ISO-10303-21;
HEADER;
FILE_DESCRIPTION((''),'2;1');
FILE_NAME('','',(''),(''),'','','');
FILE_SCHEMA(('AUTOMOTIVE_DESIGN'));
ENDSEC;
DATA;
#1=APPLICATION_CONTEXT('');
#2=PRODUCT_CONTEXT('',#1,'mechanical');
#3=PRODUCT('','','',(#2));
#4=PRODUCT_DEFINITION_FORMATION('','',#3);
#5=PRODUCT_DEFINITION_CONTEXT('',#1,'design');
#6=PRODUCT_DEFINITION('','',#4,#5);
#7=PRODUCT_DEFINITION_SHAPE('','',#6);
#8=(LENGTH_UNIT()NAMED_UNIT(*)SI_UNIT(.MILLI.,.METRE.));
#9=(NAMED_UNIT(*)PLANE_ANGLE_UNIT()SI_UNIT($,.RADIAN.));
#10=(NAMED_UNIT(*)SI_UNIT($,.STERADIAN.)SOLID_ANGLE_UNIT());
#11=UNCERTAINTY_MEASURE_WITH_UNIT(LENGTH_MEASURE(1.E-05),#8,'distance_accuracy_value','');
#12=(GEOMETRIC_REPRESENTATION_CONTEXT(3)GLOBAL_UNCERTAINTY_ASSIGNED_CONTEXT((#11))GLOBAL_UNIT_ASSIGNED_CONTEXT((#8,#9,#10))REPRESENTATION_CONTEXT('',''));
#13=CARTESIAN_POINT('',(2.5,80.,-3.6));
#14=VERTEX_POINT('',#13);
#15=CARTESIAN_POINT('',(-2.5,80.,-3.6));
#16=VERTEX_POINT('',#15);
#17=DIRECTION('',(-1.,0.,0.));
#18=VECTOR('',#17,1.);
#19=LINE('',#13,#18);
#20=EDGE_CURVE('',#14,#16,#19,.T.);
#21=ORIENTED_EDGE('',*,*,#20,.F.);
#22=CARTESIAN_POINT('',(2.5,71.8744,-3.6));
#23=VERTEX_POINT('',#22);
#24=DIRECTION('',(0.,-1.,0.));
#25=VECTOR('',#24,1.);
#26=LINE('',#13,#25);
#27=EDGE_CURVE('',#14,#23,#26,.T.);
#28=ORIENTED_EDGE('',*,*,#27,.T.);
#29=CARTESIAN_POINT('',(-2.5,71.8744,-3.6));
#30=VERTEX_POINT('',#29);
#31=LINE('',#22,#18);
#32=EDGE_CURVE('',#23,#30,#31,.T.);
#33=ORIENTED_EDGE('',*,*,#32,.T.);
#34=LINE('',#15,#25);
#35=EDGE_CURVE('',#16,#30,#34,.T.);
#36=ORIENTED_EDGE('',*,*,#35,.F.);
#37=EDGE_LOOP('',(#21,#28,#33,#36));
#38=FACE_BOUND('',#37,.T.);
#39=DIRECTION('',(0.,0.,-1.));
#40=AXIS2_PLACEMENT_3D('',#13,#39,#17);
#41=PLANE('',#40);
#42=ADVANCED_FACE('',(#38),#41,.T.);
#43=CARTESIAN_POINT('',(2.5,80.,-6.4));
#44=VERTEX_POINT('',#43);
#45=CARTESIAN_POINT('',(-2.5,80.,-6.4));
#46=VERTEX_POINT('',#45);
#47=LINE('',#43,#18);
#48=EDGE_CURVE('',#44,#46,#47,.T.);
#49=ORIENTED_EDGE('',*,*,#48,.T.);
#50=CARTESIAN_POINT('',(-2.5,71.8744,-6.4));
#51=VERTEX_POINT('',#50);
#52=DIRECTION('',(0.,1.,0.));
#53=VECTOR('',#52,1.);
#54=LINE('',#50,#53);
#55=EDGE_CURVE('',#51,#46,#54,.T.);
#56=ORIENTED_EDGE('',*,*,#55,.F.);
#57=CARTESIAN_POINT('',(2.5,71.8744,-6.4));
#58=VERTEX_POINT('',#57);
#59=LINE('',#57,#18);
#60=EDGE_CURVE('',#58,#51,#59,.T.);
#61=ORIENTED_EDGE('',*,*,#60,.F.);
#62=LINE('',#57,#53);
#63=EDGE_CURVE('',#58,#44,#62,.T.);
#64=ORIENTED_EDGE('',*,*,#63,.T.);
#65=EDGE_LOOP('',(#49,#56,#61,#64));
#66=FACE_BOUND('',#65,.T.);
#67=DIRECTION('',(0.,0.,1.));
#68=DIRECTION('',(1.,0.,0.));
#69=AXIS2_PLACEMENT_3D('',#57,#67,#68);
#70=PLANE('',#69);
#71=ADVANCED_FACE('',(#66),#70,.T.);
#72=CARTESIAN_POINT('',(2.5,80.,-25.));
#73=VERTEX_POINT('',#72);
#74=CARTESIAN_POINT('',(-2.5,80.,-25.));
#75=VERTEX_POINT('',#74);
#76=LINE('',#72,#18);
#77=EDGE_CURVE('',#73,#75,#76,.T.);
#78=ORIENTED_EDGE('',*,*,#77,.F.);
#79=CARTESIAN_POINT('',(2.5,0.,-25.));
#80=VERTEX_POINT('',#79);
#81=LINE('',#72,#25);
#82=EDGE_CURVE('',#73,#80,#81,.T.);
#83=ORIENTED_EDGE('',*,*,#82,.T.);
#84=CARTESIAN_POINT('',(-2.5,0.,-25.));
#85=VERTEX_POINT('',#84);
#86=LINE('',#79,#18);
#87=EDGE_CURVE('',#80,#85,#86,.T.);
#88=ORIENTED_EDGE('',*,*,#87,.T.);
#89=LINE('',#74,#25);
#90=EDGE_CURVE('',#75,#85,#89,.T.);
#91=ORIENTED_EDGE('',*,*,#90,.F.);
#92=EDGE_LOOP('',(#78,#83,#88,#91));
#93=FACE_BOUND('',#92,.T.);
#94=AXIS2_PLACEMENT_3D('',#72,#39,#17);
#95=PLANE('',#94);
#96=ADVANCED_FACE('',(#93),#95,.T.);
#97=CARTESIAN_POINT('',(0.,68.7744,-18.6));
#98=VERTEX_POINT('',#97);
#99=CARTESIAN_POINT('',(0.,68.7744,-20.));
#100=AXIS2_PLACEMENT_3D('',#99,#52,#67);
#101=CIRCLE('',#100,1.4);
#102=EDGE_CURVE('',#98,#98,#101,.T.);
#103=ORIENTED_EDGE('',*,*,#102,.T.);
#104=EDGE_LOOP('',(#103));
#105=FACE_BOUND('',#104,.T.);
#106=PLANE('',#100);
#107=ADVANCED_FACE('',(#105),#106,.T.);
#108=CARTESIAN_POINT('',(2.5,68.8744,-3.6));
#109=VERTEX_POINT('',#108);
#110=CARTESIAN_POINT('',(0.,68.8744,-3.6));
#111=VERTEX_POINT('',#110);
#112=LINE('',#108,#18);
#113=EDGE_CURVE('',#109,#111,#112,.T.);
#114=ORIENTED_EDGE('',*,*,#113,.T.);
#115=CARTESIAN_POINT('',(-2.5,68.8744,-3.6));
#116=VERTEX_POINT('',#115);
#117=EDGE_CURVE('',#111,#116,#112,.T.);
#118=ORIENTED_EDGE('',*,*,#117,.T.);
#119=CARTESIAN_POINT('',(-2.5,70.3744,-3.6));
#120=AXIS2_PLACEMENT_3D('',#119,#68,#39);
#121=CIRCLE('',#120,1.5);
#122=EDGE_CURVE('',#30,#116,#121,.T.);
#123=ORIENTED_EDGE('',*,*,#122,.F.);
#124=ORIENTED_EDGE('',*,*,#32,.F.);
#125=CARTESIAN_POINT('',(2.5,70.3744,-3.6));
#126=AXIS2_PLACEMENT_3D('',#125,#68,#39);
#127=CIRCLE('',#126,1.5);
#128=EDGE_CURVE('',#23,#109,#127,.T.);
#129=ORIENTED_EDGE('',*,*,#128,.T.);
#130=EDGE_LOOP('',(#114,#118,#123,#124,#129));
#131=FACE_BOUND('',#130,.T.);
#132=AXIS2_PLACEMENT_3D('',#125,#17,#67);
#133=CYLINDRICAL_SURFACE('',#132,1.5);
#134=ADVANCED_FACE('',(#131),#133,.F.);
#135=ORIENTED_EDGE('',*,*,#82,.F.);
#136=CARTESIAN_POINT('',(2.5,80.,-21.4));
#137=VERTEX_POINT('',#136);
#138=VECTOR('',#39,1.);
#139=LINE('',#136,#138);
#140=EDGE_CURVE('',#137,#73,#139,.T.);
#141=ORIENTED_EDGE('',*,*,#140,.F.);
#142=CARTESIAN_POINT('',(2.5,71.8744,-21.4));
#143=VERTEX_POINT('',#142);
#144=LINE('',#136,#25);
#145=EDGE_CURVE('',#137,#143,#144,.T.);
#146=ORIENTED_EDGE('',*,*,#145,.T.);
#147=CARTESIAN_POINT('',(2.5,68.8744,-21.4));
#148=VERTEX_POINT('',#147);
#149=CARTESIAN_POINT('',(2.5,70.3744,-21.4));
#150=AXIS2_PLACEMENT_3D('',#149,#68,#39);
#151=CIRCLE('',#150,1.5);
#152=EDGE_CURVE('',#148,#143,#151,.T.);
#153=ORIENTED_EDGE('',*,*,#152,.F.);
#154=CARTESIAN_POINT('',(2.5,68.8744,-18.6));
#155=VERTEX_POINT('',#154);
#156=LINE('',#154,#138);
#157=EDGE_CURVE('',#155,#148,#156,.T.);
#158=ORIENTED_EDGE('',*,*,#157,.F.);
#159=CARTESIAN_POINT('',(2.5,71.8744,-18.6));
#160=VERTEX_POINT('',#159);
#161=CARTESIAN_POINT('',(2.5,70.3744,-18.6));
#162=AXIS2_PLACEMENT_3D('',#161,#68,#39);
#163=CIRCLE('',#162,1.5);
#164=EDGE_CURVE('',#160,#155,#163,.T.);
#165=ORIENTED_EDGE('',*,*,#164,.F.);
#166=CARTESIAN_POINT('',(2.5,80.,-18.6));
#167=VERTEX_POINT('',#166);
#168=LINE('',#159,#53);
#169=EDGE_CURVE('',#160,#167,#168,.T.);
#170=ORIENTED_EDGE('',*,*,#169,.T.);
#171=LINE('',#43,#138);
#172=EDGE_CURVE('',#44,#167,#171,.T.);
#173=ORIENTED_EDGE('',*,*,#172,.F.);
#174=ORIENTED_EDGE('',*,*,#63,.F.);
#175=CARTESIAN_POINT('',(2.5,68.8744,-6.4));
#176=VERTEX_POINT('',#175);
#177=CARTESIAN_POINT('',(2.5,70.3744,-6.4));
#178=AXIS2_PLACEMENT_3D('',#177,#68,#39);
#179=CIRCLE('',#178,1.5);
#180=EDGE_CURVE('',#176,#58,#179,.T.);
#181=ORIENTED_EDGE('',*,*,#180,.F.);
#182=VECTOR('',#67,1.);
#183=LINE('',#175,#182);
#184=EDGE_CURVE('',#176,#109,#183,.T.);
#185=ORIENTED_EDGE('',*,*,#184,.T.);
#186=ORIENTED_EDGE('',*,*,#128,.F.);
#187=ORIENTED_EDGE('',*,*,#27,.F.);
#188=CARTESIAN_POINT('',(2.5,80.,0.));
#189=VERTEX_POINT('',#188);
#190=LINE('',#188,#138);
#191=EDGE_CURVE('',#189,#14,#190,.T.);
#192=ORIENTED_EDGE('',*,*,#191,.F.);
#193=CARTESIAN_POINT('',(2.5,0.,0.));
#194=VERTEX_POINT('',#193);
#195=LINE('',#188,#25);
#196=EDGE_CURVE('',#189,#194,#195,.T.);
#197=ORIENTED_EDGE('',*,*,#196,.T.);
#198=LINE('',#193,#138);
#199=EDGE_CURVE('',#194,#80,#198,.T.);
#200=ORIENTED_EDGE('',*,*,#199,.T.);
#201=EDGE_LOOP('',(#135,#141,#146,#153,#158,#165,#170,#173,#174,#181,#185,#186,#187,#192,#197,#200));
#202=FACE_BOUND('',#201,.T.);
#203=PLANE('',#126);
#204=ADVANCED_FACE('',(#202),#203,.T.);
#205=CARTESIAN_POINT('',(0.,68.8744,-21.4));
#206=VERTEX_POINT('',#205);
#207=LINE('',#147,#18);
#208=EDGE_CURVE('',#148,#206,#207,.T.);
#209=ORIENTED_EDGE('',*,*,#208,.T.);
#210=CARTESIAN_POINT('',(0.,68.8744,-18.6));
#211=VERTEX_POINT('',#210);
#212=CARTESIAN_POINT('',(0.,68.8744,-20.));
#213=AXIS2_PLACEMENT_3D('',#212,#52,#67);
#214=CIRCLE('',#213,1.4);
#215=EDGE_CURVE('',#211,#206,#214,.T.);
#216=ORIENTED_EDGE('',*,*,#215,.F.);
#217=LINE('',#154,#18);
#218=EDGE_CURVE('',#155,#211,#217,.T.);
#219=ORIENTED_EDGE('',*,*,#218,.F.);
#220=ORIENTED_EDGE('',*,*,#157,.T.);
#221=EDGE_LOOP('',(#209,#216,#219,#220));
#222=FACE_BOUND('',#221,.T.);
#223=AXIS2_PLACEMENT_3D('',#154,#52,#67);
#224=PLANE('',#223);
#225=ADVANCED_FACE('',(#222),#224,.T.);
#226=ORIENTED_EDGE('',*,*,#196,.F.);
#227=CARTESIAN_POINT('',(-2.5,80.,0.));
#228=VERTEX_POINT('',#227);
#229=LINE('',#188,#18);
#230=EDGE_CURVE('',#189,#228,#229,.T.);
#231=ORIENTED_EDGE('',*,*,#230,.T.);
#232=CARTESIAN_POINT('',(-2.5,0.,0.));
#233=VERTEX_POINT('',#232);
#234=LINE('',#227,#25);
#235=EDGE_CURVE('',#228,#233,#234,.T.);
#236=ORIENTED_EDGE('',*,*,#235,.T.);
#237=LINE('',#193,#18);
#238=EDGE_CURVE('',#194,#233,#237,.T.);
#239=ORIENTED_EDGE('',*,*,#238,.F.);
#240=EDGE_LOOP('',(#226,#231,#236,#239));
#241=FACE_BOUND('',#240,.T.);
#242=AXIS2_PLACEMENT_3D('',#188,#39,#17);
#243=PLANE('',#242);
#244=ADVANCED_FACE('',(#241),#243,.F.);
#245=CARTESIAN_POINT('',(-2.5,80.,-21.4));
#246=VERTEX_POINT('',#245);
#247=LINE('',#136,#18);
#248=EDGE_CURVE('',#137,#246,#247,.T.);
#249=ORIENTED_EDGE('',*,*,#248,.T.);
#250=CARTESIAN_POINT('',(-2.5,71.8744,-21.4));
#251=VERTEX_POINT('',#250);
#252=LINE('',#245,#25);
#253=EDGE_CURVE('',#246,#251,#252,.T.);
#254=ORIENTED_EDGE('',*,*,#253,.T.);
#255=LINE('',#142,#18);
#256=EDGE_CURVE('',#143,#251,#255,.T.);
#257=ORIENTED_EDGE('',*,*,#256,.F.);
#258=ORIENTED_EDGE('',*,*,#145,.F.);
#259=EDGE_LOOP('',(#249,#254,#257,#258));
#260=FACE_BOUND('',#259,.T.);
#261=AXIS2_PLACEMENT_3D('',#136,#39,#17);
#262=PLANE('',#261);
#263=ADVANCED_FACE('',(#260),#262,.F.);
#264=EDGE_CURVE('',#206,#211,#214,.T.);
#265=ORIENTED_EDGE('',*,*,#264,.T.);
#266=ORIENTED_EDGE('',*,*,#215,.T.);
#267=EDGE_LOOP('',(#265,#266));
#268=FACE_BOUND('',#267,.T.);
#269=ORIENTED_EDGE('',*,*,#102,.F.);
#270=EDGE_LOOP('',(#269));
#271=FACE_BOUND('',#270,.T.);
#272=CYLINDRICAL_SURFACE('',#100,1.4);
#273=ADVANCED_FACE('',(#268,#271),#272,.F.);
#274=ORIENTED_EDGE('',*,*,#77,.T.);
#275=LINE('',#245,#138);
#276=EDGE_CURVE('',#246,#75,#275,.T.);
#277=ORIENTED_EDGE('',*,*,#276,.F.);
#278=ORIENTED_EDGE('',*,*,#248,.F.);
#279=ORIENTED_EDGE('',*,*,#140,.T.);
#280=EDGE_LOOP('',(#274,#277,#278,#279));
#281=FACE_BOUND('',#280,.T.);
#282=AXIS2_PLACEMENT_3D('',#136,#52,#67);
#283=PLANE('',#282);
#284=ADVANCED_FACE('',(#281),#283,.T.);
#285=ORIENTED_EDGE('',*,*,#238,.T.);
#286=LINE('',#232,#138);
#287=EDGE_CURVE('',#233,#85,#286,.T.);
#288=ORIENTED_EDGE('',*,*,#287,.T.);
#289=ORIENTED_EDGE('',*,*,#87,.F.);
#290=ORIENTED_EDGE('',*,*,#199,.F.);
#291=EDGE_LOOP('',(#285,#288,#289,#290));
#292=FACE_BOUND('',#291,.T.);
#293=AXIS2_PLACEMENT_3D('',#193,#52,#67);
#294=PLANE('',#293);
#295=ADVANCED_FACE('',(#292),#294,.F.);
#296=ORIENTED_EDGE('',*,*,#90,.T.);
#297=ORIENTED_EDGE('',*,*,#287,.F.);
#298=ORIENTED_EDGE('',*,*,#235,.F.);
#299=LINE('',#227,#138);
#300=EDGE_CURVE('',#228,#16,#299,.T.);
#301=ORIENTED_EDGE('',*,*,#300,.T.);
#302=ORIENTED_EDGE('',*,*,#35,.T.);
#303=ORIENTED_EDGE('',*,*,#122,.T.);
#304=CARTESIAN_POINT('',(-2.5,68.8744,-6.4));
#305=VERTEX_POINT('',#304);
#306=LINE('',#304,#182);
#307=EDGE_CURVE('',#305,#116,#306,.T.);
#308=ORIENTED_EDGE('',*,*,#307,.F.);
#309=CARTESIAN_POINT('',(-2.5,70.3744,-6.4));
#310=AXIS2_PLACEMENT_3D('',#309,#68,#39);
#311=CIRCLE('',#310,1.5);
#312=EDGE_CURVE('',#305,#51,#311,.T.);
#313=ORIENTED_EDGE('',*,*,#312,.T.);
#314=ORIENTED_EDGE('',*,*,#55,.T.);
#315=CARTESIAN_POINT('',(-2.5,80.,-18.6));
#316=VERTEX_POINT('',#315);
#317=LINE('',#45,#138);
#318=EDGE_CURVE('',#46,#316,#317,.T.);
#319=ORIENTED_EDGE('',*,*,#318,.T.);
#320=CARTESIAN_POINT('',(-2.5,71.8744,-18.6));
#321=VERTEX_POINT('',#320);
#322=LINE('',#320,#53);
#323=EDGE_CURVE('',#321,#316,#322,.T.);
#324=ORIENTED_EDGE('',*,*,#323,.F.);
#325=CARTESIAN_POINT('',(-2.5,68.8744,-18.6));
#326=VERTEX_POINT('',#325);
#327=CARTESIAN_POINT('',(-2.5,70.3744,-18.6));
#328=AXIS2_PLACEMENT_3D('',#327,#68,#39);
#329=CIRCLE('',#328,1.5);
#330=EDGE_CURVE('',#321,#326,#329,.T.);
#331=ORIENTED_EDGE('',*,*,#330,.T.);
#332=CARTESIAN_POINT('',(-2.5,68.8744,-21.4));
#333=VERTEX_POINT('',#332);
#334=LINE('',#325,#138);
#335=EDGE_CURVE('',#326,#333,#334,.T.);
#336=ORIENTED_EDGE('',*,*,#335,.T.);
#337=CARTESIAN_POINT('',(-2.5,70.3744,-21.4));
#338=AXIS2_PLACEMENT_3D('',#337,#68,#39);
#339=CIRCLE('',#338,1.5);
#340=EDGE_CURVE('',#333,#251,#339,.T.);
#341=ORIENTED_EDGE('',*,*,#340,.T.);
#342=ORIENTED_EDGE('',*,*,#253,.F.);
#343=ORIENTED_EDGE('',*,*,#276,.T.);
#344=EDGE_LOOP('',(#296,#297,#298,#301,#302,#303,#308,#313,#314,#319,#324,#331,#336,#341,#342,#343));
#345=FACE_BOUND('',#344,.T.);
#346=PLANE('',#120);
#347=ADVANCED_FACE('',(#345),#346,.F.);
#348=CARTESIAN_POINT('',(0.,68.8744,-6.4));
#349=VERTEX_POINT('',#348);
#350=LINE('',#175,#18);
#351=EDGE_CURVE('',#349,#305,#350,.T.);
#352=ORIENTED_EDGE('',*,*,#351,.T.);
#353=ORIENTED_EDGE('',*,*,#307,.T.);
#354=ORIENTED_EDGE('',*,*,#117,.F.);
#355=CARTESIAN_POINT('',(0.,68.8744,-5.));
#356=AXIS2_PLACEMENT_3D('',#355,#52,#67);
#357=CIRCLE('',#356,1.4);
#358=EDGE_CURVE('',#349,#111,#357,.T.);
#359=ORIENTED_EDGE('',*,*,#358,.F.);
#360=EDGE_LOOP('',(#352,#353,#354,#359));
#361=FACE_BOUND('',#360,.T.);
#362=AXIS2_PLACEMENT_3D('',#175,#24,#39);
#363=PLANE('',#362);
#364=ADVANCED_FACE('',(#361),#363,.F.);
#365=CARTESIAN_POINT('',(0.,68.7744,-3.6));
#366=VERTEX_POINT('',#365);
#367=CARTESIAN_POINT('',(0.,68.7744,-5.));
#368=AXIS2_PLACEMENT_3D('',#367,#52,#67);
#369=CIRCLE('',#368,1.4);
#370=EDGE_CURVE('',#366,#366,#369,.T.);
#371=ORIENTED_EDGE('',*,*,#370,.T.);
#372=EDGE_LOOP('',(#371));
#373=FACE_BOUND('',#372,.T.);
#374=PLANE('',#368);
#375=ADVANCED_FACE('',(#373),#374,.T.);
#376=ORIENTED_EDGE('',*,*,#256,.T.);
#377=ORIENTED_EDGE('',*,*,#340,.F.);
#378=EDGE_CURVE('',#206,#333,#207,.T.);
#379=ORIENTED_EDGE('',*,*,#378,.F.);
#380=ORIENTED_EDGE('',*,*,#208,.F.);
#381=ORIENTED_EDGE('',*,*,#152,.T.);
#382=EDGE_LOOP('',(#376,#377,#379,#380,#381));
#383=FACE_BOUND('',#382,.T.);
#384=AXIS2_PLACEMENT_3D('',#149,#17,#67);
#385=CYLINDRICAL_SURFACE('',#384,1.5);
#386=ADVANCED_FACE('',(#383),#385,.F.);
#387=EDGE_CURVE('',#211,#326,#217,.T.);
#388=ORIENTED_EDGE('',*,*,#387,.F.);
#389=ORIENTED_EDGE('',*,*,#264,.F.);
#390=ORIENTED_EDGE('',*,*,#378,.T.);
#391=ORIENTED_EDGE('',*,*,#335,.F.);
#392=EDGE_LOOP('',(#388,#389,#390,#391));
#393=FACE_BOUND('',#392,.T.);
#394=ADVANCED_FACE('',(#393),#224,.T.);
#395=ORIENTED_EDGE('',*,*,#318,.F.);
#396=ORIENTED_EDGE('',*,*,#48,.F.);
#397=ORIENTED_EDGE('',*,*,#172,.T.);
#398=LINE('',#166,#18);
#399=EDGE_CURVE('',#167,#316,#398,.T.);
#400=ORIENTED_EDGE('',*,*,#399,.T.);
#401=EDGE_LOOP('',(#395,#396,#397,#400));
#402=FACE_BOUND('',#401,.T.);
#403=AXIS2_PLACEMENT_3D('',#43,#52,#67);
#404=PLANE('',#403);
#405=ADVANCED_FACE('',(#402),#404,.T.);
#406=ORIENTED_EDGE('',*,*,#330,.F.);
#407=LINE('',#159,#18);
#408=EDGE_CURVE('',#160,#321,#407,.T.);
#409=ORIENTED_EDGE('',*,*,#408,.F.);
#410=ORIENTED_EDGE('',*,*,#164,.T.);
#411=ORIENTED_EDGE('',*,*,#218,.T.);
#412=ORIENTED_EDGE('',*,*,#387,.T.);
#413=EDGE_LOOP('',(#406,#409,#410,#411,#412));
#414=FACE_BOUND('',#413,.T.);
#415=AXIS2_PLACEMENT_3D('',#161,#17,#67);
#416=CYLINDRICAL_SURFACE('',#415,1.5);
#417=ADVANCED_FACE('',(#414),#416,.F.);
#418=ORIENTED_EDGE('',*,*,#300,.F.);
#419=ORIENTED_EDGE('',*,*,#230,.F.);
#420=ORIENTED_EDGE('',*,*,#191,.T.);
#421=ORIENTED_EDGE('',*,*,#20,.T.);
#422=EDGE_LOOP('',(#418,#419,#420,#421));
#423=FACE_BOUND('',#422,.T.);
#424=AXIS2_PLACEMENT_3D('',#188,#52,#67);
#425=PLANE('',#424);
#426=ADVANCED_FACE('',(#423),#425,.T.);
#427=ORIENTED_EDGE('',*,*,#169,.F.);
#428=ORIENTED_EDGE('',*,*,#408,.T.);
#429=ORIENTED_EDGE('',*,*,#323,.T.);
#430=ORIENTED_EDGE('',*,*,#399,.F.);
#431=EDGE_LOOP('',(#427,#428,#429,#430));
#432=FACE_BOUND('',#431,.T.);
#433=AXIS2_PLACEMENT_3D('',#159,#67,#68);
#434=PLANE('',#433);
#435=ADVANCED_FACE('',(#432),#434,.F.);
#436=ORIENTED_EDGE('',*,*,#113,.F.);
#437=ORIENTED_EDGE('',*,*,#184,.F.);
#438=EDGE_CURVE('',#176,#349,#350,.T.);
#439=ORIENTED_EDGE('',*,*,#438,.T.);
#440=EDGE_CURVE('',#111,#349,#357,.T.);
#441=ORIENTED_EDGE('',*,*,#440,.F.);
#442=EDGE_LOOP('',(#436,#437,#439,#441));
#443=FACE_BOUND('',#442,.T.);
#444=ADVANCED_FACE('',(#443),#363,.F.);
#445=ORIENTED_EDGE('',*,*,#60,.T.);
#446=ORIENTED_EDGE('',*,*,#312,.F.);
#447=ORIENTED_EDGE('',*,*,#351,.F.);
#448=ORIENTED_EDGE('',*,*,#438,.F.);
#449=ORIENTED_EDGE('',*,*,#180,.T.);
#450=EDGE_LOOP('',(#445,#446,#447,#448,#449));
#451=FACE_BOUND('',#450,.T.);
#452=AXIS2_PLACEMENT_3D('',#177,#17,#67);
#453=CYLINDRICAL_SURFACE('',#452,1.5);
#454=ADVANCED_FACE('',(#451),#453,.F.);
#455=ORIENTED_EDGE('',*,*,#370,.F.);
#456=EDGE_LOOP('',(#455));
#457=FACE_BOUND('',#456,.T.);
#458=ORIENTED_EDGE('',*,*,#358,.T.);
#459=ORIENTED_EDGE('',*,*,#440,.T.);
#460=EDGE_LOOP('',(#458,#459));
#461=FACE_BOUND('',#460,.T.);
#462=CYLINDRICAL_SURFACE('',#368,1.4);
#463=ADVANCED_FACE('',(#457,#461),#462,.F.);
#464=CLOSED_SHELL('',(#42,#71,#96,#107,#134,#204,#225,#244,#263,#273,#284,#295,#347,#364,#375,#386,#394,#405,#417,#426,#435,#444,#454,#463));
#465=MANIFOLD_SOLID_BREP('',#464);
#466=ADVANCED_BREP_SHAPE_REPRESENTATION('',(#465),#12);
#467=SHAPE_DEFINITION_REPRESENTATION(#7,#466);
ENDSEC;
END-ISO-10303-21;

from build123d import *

# Parameters (mm, degrees)
EXTRUDE_1_DEPTH     = 2.5
SKETCH_2_R          = 1.4
CUT_EXTRUDE_1_DEPTH = 0.1


with BuildPart() as part:
    # 草图1 → 凸台-拉伸1 (new body, symmetric)
    with BuildSketch(Plane(origin=(0, 0, 0), x_dir=(0, 0, -1), z_dir=(1, 0, 0))):
        with BuildLine():
            Line((6.4, 80), (18.6, 80))
            Line((18.6, 80), (18.6, 71.8744))
            ThreePointArc((18.6, 71.8744), (17.1, 70.3744), (18.6, 68.8744))
            Line((18.6, 68.8744), (21.4, 68.8744))
            ThreePointArc((21.4, 68.8744), (22.9, 70.3744), (21.4, 71.8744))
            Line((21.4, 71.8744), (21.4, 80))
            Line((21.4, 80), (25, 80))
            Line((25, 80), (25, 0))
            Line((25, 0), (0, 0))
            Line((0, 0), (0, 80))
            Line((0, 80), (3.6, 80))
            Line((3.6, 80), (3.6, 71.8744))
            ThreePointArc((3.6, 71.8744), (2.1, 70.3744), (3.6, 68.8744))
            Line((3.6, 68.8744), (6.4, 68.8744))
            ThreePointArc((6.4, 68.8744), (7.9, 70.3744), (6.4, 71.8744))
            Line((6.4, 71.8744), (6.4, 80))
        make_face()
    extrude(amount=EXTRUDE_1_DEPTH, both=True)

    # 草图2 → 切除-拉伸1 (cut)
    with BuildSketch(Plane(origin=(0, 68.8744, 0), x_dir=(1, 0, 0), z_dir=(0, 1, 0))):
        with Locations((0, 20)):
            Circle(SKETCH_2_R)
        with Locations((0, 5)):
            Circle(SKETCH_2_R)
    extrude(amount=-CUT_EXTRUDE_1_DEPTH, mode=Mode.SUBTRACT)


solid = part.part
